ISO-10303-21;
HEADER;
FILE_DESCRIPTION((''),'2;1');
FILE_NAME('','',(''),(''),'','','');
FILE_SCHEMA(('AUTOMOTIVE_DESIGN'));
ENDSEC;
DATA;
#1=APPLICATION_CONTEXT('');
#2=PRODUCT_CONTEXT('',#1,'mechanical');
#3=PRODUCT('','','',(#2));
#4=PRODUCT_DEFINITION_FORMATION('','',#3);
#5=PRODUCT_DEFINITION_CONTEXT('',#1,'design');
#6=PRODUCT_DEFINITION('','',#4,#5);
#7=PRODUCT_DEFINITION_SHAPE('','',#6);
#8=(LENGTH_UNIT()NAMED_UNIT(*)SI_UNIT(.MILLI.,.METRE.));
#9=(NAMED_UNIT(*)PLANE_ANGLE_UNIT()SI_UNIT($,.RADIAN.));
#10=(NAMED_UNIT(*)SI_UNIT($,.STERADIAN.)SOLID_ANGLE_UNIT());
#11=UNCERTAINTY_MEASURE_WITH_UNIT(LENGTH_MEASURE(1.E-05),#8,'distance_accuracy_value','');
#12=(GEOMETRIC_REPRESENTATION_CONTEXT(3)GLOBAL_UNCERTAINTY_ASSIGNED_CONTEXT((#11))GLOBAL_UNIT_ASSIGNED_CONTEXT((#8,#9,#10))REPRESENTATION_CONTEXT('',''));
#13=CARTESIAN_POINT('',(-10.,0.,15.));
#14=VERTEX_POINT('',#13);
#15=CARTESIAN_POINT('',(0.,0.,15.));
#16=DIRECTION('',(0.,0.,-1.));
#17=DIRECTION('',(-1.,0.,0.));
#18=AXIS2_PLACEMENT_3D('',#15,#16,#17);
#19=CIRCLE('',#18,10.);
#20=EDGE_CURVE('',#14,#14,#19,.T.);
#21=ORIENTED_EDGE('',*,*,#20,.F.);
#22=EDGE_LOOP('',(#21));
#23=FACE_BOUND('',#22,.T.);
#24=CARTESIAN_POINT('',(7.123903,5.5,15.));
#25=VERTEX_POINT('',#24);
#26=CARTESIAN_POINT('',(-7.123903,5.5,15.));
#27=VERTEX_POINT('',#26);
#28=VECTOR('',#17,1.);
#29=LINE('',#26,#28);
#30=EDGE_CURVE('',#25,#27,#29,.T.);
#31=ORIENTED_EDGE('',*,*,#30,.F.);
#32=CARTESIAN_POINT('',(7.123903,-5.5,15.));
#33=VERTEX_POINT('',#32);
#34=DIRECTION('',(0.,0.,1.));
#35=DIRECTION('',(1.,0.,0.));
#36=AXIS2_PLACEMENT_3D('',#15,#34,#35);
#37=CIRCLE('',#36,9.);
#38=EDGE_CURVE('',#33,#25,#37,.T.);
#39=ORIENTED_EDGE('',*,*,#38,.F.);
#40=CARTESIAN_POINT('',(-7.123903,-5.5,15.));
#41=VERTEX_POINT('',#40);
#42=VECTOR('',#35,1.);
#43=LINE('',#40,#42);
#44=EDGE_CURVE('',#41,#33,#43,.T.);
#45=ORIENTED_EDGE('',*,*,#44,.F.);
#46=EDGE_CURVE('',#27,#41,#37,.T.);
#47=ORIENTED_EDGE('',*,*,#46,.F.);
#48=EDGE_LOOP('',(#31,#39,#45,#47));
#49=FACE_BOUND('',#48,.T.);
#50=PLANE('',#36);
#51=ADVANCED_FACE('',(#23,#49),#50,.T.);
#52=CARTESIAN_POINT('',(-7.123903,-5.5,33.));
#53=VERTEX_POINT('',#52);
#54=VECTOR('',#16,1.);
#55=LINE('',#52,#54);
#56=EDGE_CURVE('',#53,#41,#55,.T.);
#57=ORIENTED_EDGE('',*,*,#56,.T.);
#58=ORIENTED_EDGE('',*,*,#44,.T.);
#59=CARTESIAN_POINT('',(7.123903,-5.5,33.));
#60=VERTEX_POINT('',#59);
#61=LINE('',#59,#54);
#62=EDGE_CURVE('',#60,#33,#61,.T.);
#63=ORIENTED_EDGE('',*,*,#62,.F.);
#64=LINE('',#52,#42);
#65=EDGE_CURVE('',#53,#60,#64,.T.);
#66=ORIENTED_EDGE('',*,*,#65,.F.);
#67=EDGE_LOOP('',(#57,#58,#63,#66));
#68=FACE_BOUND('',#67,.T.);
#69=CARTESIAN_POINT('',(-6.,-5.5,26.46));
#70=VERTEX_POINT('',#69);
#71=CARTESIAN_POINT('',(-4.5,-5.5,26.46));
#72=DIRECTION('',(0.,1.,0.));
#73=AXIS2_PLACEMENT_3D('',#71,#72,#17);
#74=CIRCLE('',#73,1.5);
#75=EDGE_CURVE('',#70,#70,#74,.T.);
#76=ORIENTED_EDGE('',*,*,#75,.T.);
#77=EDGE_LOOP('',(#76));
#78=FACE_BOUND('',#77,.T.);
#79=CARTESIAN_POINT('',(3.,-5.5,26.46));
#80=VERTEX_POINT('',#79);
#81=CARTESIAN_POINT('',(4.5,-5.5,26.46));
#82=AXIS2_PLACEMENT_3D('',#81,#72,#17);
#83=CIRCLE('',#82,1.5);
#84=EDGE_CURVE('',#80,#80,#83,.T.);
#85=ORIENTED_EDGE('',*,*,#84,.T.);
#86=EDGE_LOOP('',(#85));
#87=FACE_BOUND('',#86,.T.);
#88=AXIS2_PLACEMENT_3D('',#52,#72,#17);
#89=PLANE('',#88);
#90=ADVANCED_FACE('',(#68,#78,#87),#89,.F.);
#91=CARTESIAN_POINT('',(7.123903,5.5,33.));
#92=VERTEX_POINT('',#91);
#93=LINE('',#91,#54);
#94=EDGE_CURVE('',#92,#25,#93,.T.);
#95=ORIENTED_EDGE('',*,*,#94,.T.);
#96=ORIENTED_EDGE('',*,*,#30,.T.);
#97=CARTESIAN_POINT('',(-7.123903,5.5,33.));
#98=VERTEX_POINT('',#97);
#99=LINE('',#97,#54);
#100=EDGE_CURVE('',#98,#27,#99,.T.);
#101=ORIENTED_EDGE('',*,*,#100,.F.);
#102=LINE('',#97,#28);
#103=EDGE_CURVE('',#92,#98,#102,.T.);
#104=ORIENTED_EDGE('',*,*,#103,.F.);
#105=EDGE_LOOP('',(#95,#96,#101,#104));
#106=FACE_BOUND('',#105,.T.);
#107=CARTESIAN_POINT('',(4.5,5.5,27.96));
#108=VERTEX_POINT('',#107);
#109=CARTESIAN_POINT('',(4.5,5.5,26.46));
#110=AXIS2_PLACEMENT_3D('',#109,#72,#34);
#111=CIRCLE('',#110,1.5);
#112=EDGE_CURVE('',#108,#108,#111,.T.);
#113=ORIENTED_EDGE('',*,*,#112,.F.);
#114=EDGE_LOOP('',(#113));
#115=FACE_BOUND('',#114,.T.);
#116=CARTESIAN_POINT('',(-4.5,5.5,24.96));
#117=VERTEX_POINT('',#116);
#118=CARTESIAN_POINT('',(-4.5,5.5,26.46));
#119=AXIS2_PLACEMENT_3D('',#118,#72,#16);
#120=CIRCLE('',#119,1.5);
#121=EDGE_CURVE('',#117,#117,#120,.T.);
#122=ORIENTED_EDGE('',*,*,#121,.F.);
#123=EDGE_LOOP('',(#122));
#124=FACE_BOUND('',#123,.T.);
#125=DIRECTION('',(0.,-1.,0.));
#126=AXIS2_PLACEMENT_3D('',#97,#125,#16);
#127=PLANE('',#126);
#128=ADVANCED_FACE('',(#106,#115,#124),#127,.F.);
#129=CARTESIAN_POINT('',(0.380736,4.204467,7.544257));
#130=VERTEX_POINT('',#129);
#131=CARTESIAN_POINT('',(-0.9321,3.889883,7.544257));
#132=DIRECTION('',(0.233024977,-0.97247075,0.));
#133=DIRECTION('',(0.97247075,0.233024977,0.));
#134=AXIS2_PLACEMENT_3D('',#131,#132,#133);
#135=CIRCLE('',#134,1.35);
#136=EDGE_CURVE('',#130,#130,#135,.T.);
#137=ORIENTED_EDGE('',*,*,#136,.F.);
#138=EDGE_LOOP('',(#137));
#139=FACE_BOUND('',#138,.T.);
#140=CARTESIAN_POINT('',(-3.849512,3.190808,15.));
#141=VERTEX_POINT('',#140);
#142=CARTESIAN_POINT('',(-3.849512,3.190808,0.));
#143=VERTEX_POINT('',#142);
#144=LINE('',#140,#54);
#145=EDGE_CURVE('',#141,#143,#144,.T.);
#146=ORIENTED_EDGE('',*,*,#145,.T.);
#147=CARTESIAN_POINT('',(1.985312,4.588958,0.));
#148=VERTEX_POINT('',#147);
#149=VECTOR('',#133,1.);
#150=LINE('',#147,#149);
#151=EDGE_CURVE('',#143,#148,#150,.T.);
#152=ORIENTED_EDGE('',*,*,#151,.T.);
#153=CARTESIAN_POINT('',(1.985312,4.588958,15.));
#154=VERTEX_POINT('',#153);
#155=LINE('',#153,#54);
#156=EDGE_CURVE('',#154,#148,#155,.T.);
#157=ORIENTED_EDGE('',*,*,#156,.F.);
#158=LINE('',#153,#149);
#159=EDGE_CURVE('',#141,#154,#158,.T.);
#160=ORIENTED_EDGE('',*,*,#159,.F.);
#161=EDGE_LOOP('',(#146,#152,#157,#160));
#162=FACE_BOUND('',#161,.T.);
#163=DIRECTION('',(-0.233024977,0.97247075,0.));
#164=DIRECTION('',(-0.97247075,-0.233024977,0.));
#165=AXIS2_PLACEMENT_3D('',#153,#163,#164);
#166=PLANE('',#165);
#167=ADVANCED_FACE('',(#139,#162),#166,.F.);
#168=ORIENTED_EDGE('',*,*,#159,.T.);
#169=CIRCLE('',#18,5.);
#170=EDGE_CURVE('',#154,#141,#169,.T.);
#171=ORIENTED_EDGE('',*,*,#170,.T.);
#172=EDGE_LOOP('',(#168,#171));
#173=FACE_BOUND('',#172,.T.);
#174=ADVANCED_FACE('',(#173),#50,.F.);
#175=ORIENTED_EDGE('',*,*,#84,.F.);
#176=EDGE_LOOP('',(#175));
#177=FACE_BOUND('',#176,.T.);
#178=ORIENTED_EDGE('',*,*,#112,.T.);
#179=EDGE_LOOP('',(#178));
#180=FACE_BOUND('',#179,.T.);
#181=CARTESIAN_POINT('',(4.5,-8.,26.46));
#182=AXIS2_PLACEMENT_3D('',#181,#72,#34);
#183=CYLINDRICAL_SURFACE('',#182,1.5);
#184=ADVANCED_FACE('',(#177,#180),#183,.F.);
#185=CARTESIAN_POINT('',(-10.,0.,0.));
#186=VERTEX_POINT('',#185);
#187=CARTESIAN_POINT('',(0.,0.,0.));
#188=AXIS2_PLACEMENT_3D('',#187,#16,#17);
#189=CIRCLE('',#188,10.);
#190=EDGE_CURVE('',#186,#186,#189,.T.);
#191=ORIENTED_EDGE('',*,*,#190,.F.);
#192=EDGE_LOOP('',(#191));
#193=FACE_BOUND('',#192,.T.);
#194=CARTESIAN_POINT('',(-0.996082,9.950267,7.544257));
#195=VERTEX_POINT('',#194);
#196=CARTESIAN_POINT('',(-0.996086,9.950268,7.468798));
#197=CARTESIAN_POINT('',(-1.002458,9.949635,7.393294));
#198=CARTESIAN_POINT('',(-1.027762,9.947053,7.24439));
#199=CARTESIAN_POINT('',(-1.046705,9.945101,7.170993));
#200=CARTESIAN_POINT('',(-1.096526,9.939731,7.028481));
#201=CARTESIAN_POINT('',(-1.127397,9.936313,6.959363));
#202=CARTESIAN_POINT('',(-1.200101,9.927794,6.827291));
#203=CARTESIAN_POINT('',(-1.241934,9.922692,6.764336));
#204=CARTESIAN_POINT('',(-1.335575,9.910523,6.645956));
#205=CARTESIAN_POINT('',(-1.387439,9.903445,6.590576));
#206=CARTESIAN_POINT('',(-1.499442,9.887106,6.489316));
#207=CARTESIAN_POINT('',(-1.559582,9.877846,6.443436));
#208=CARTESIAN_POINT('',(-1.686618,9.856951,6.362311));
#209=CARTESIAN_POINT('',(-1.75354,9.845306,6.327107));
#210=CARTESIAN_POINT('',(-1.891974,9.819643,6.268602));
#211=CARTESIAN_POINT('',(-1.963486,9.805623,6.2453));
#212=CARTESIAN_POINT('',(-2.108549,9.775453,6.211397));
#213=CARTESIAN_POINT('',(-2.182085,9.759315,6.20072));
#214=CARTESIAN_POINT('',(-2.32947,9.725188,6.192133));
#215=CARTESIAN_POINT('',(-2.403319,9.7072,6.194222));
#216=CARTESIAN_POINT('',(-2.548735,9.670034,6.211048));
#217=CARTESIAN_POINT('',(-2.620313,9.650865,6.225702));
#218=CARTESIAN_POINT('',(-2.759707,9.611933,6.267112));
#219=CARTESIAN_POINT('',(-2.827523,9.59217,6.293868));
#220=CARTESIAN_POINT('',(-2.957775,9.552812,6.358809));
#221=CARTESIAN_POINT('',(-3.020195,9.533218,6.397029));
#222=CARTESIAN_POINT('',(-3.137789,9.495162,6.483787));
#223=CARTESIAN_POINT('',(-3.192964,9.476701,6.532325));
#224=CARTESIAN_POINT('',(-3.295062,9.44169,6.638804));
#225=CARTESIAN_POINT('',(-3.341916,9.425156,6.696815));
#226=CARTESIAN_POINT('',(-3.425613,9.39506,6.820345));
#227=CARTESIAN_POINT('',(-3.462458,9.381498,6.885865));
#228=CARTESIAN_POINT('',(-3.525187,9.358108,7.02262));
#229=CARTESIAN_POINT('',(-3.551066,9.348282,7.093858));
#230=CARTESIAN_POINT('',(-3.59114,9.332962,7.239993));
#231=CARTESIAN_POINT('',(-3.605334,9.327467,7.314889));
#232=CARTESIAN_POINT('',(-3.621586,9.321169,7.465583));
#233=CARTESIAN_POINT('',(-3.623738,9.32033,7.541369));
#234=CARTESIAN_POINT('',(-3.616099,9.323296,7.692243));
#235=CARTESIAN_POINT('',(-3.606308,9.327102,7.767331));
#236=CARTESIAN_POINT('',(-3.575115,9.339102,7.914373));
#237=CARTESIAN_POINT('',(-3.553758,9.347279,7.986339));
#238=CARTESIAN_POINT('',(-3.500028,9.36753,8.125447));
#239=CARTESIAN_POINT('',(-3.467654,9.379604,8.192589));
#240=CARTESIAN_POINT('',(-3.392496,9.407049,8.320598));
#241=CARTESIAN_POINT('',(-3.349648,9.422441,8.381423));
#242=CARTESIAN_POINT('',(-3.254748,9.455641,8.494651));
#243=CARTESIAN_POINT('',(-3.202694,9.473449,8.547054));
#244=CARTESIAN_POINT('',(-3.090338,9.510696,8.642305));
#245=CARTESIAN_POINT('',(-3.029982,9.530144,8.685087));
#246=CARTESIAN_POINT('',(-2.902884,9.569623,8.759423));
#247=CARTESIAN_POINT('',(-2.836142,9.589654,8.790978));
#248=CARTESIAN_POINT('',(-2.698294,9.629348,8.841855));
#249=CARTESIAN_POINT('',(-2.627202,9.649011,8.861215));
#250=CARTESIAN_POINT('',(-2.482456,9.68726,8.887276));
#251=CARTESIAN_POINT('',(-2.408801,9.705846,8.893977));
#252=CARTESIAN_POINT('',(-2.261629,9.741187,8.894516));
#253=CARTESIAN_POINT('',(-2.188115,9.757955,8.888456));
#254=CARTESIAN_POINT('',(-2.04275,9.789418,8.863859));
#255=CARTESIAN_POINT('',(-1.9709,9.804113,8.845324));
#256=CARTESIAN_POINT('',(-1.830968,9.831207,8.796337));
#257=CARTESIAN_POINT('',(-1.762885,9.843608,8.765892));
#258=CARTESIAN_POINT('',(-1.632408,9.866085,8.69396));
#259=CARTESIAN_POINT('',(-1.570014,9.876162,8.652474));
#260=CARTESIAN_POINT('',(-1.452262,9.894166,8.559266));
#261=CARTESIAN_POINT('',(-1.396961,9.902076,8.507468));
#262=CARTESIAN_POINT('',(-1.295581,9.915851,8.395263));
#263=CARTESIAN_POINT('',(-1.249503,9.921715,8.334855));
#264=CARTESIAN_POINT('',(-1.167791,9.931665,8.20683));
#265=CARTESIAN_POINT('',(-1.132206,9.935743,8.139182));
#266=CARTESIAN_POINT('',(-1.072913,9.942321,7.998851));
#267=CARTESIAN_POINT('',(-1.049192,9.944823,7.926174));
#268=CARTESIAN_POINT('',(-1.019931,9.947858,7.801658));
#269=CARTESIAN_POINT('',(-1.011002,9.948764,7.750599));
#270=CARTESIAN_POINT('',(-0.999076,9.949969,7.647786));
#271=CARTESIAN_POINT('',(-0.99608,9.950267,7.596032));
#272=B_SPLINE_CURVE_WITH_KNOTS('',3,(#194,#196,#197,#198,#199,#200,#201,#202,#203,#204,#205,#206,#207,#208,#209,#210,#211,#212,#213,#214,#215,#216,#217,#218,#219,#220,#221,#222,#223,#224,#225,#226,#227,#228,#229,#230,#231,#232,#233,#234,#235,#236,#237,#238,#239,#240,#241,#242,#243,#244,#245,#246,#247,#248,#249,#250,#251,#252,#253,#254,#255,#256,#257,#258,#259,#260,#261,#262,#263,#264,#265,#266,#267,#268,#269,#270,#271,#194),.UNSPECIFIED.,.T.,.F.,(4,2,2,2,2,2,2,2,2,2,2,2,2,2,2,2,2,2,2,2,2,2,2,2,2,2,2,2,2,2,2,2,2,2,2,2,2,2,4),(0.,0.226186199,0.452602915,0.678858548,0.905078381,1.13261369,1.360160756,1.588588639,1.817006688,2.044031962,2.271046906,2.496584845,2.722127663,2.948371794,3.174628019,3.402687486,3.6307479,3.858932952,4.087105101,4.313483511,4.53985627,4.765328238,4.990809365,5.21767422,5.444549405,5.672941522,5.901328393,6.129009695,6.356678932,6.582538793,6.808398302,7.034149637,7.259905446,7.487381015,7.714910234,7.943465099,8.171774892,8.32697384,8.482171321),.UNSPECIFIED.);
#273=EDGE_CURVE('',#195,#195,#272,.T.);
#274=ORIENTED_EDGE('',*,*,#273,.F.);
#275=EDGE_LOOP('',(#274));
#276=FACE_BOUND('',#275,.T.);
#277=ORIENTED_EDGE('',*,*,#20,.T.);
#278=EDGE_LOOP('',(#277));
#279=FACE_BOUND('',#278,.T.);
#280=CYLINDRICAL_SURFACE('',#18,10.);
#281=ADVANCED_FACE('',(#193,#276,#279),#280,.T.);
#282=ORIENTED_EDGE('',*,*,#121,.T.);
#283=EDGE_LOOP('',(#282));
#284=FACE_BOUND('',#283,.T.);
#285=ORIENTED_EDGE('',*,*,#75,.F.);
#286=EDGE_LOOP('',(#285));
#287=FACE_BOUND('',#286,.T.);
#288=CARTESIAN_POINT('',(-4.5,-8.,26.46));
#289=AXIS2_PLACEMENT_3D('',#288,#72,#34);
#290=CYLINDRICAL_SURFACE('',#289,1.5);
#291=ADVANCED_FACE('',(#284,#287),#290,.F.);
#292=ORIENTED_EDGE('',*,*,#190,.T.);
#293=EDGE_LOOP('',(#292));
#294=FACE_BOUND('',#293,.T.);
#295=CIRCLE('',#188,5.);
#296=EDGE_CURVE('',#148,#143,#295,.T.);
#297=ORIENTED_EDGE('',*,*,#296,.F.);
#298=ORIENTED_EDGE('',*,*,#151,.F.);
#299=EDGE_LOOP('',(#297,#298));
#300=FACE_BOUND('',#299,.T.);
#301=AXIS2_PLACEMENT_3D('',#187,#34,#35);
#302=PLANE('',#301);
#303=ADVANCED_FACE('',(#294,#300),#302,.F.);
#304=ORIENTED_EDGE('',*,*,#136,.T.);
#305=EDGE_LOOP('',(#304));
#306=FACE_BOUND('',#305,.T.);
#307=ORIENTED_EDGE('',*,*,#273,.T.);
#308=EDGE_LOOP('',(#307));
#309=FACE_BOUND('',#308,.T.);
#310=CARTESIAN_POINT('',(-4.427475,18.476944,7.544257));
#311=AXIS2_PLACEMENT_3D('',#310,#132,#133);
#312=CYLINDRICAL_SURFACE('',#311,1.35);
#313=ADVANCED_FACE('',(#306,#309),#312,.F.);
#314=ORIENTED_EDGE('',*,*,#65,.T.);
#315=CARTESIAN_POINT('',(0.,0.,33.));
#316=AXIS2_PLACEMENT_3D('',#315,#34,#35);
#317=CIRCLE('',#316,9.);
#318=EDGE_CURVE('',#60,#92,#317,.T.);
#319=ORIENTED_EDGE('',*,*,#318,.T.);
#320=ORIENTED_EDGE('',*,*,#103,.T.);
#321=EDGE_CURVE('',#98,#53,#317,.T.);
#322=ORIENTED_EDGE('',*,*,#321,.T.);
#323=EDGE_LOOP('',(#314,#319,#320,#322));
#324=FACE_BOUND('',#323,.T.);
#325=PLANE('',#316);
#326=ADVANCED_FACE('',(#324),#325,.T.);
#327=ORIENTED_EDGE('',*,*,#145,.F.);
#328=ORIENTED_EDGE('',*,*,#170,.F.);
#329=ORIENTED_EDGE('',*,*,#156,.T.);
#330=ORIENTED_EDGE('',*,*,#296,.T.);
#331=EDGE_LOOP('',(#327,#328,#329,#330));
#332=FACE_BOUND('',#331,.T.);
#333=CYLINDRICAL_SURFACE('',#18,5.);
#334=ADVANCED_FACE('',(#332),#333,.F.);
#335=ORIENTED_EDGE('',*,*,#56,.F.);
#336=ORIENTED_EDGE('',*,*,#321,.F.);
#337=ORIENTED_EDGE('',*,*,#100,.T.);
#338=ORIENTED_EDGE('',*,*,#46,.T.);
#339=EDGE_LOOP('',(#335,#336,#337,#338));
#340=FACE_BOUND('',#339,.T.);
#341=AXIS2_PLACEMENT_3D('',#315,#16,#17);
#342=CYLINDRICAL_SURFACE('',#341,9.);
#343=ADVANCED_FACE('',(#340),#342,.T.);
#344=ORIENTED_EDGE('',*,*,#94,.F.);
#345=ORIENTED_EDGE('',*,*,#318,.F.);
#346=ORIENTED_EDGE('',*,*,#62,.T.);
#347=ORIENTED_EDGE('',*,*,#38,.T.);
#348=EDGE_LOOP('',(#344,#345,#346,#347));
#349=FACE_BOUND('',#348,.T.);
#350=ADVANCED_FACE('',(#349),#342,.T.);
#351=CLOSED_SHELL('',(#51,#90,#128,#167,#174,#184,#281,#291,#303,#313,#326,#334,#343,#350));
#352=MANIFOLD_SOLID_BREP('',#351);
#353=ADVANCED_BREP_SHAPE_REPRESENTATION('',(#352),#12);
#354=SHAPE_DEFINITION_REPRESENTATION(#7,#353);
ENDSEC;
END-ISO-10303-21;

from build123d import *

# Parameters (mm, degrees)
SKETCH_1_R          = 5.25
EXTRUDE_1_DEPTH     = 15
CUT_EXTRUDE_1_DEPTH = 10
EXTRUDE_2_DEPTH     = 18
SKETCH_4_R          = 1.5
CUT_EXTRUDE_2_DEPTH = 14.5
SKETCH_5_R          = 14
SKETCH_5_R_2        = 5.25
EXTRUDE_3_DEPTH     = 15
SKETCH_6_R          = 18.043638251
SKETCH_6_R_2        = 10
CUT_EXTRUDE_3_DEPTH = 15
SKETCH_7_R          = 6.986522344
EXTRUDE_4_DEPTH     = 15
SKETCH_8_R          = 1.35
CUT_EXTRUDE_4_DEPTH = 15


with BuildPart() as part:
    # 草图1 → 凸台-拉伸1 (new body)
    with BuildSketch(Plane.XY):
        with BuildLine():
            Line((-11.489125293, -8), (11.489125293, -8))
            ThreePointArc((11.489125293, -8), (0, 14), (-11.489125293, -8))
        make_face()
        Circle(SKETCH_1_R, mode=Mode.SUBTRACT)
    extrude(amount=EXTRUDE_1_DEPTH)

    # 草图2 → 切除-拉伸1 (cut)
    with BuildSketch(Plane.XY.offset(15)):
        with BuildLine():
            Line((-13.416407865, 4), (13.416407865, 4))
            ThreePointArc((13.416407865, 4), (0, 14), (-13.416407865, 4))
        make_face()
    extrude(amount=-CUT_EXTRUDE_1_DEPTH, mode=Mode.SUBTRACT)

    # 草图3 → 凸台-拉伸2 (add)
    with BuildSketch(Plane.XY.offset(15)):
        with BuildLine():
            Line((-7.123903424, 5.5), (7.123903424, 5.5))
            ThreePointArc((7.123903424, 5.5), (9, 0), (7.123903424, -5.5))
            Line((7.123903424, -5.5), (-7.123903424, -5.5))
            ThreePointArc((-7.123903424, -5.5), (-9, 0), (-7.123903424, 5.5))
        make_face()
    extrude(amount=EXTRUDE_2_DEPTH)

    # 草图4 → 切除-拉伸2 (cut, through all)
    with BuildSketch(Plane(origin=(0, 5.5, 0), x_dir=(1, 0, 0), z_dir=(0, 1, 0))):
        with Locations((4.5, -26.46)):
            Circle(SKETCH_4_R)
        with Locations((-4.5, -26.46)):
            Circle(SKETCH_4_R)
    extrude(amount=-CUT_EXTRUDE_2_DEPTH, mode=Mode.SUBTRACT)

    # 草图5 → 凸台-拉伸3 (add)
    with BuildSketch(Plane(origin=(0, 0, 0), x_dir=(-1, 0, 0), z_dir=(0, 0, -1))):
        Circle(SKETCH_5_R)
        Circle(SKETCH_5_R_2, mode=Mode.SUBTRACT)
    extrude(amount=-EXTRUDE_3_DEPTH)

    # 草图6 → 切除-拉伸3 (cut)
    with BuildSketch(Plane(origin=(0, 0, 0), x_dir=(-1, 0, 0), z_dir=(0, 0, -1))):
        Circle(SKETCH_6_R)
        Circle(SKETCH_6_R_2, mode=Mode.SUBTRACT)
    extrude(amount=-CUT_EXTRUDE_3_DEPTH, mode=Mode.SUBTRACT)

    # 草图7 → 凸台-拉伸4 (add)
    with BuildSketch(Plane(origin=(0, 0, 0), x_dir=(-1, 0, 0), z_dir=(0, 0, -1))):
        Circle(SKETCH_7_R)
        with BuildLine():
            Line((-1.985312345, 4.588957931), (3.849512157, 3.190808072))
            ThreePointArc((3.849512157, 3.190808072), (-1.165124883, -4.862353752), (-1.985312345, 4.588957931))
        make_face(mode=Mode.SUBTRACT)
    extrude(amount=-EXTRUDE_4_DEPTH)

    # 草图8 → 切除-拉伸4 (cut)
    with BuildSketch(Plane(origin=(-0.932099906, 3.889883001, 0), x_dir=(0.97247075, 0.233024977, 0), z_dir=(0.233024977, -0.97247075, 0))):
        with Locations((0, 7.544256547)):
            Circle(SKETCH_8_R)
    extrude(amount=-CUT_EXTRUDE_4_DEPTH, mode=Mode.SUBTRACT)


solid = part.part
